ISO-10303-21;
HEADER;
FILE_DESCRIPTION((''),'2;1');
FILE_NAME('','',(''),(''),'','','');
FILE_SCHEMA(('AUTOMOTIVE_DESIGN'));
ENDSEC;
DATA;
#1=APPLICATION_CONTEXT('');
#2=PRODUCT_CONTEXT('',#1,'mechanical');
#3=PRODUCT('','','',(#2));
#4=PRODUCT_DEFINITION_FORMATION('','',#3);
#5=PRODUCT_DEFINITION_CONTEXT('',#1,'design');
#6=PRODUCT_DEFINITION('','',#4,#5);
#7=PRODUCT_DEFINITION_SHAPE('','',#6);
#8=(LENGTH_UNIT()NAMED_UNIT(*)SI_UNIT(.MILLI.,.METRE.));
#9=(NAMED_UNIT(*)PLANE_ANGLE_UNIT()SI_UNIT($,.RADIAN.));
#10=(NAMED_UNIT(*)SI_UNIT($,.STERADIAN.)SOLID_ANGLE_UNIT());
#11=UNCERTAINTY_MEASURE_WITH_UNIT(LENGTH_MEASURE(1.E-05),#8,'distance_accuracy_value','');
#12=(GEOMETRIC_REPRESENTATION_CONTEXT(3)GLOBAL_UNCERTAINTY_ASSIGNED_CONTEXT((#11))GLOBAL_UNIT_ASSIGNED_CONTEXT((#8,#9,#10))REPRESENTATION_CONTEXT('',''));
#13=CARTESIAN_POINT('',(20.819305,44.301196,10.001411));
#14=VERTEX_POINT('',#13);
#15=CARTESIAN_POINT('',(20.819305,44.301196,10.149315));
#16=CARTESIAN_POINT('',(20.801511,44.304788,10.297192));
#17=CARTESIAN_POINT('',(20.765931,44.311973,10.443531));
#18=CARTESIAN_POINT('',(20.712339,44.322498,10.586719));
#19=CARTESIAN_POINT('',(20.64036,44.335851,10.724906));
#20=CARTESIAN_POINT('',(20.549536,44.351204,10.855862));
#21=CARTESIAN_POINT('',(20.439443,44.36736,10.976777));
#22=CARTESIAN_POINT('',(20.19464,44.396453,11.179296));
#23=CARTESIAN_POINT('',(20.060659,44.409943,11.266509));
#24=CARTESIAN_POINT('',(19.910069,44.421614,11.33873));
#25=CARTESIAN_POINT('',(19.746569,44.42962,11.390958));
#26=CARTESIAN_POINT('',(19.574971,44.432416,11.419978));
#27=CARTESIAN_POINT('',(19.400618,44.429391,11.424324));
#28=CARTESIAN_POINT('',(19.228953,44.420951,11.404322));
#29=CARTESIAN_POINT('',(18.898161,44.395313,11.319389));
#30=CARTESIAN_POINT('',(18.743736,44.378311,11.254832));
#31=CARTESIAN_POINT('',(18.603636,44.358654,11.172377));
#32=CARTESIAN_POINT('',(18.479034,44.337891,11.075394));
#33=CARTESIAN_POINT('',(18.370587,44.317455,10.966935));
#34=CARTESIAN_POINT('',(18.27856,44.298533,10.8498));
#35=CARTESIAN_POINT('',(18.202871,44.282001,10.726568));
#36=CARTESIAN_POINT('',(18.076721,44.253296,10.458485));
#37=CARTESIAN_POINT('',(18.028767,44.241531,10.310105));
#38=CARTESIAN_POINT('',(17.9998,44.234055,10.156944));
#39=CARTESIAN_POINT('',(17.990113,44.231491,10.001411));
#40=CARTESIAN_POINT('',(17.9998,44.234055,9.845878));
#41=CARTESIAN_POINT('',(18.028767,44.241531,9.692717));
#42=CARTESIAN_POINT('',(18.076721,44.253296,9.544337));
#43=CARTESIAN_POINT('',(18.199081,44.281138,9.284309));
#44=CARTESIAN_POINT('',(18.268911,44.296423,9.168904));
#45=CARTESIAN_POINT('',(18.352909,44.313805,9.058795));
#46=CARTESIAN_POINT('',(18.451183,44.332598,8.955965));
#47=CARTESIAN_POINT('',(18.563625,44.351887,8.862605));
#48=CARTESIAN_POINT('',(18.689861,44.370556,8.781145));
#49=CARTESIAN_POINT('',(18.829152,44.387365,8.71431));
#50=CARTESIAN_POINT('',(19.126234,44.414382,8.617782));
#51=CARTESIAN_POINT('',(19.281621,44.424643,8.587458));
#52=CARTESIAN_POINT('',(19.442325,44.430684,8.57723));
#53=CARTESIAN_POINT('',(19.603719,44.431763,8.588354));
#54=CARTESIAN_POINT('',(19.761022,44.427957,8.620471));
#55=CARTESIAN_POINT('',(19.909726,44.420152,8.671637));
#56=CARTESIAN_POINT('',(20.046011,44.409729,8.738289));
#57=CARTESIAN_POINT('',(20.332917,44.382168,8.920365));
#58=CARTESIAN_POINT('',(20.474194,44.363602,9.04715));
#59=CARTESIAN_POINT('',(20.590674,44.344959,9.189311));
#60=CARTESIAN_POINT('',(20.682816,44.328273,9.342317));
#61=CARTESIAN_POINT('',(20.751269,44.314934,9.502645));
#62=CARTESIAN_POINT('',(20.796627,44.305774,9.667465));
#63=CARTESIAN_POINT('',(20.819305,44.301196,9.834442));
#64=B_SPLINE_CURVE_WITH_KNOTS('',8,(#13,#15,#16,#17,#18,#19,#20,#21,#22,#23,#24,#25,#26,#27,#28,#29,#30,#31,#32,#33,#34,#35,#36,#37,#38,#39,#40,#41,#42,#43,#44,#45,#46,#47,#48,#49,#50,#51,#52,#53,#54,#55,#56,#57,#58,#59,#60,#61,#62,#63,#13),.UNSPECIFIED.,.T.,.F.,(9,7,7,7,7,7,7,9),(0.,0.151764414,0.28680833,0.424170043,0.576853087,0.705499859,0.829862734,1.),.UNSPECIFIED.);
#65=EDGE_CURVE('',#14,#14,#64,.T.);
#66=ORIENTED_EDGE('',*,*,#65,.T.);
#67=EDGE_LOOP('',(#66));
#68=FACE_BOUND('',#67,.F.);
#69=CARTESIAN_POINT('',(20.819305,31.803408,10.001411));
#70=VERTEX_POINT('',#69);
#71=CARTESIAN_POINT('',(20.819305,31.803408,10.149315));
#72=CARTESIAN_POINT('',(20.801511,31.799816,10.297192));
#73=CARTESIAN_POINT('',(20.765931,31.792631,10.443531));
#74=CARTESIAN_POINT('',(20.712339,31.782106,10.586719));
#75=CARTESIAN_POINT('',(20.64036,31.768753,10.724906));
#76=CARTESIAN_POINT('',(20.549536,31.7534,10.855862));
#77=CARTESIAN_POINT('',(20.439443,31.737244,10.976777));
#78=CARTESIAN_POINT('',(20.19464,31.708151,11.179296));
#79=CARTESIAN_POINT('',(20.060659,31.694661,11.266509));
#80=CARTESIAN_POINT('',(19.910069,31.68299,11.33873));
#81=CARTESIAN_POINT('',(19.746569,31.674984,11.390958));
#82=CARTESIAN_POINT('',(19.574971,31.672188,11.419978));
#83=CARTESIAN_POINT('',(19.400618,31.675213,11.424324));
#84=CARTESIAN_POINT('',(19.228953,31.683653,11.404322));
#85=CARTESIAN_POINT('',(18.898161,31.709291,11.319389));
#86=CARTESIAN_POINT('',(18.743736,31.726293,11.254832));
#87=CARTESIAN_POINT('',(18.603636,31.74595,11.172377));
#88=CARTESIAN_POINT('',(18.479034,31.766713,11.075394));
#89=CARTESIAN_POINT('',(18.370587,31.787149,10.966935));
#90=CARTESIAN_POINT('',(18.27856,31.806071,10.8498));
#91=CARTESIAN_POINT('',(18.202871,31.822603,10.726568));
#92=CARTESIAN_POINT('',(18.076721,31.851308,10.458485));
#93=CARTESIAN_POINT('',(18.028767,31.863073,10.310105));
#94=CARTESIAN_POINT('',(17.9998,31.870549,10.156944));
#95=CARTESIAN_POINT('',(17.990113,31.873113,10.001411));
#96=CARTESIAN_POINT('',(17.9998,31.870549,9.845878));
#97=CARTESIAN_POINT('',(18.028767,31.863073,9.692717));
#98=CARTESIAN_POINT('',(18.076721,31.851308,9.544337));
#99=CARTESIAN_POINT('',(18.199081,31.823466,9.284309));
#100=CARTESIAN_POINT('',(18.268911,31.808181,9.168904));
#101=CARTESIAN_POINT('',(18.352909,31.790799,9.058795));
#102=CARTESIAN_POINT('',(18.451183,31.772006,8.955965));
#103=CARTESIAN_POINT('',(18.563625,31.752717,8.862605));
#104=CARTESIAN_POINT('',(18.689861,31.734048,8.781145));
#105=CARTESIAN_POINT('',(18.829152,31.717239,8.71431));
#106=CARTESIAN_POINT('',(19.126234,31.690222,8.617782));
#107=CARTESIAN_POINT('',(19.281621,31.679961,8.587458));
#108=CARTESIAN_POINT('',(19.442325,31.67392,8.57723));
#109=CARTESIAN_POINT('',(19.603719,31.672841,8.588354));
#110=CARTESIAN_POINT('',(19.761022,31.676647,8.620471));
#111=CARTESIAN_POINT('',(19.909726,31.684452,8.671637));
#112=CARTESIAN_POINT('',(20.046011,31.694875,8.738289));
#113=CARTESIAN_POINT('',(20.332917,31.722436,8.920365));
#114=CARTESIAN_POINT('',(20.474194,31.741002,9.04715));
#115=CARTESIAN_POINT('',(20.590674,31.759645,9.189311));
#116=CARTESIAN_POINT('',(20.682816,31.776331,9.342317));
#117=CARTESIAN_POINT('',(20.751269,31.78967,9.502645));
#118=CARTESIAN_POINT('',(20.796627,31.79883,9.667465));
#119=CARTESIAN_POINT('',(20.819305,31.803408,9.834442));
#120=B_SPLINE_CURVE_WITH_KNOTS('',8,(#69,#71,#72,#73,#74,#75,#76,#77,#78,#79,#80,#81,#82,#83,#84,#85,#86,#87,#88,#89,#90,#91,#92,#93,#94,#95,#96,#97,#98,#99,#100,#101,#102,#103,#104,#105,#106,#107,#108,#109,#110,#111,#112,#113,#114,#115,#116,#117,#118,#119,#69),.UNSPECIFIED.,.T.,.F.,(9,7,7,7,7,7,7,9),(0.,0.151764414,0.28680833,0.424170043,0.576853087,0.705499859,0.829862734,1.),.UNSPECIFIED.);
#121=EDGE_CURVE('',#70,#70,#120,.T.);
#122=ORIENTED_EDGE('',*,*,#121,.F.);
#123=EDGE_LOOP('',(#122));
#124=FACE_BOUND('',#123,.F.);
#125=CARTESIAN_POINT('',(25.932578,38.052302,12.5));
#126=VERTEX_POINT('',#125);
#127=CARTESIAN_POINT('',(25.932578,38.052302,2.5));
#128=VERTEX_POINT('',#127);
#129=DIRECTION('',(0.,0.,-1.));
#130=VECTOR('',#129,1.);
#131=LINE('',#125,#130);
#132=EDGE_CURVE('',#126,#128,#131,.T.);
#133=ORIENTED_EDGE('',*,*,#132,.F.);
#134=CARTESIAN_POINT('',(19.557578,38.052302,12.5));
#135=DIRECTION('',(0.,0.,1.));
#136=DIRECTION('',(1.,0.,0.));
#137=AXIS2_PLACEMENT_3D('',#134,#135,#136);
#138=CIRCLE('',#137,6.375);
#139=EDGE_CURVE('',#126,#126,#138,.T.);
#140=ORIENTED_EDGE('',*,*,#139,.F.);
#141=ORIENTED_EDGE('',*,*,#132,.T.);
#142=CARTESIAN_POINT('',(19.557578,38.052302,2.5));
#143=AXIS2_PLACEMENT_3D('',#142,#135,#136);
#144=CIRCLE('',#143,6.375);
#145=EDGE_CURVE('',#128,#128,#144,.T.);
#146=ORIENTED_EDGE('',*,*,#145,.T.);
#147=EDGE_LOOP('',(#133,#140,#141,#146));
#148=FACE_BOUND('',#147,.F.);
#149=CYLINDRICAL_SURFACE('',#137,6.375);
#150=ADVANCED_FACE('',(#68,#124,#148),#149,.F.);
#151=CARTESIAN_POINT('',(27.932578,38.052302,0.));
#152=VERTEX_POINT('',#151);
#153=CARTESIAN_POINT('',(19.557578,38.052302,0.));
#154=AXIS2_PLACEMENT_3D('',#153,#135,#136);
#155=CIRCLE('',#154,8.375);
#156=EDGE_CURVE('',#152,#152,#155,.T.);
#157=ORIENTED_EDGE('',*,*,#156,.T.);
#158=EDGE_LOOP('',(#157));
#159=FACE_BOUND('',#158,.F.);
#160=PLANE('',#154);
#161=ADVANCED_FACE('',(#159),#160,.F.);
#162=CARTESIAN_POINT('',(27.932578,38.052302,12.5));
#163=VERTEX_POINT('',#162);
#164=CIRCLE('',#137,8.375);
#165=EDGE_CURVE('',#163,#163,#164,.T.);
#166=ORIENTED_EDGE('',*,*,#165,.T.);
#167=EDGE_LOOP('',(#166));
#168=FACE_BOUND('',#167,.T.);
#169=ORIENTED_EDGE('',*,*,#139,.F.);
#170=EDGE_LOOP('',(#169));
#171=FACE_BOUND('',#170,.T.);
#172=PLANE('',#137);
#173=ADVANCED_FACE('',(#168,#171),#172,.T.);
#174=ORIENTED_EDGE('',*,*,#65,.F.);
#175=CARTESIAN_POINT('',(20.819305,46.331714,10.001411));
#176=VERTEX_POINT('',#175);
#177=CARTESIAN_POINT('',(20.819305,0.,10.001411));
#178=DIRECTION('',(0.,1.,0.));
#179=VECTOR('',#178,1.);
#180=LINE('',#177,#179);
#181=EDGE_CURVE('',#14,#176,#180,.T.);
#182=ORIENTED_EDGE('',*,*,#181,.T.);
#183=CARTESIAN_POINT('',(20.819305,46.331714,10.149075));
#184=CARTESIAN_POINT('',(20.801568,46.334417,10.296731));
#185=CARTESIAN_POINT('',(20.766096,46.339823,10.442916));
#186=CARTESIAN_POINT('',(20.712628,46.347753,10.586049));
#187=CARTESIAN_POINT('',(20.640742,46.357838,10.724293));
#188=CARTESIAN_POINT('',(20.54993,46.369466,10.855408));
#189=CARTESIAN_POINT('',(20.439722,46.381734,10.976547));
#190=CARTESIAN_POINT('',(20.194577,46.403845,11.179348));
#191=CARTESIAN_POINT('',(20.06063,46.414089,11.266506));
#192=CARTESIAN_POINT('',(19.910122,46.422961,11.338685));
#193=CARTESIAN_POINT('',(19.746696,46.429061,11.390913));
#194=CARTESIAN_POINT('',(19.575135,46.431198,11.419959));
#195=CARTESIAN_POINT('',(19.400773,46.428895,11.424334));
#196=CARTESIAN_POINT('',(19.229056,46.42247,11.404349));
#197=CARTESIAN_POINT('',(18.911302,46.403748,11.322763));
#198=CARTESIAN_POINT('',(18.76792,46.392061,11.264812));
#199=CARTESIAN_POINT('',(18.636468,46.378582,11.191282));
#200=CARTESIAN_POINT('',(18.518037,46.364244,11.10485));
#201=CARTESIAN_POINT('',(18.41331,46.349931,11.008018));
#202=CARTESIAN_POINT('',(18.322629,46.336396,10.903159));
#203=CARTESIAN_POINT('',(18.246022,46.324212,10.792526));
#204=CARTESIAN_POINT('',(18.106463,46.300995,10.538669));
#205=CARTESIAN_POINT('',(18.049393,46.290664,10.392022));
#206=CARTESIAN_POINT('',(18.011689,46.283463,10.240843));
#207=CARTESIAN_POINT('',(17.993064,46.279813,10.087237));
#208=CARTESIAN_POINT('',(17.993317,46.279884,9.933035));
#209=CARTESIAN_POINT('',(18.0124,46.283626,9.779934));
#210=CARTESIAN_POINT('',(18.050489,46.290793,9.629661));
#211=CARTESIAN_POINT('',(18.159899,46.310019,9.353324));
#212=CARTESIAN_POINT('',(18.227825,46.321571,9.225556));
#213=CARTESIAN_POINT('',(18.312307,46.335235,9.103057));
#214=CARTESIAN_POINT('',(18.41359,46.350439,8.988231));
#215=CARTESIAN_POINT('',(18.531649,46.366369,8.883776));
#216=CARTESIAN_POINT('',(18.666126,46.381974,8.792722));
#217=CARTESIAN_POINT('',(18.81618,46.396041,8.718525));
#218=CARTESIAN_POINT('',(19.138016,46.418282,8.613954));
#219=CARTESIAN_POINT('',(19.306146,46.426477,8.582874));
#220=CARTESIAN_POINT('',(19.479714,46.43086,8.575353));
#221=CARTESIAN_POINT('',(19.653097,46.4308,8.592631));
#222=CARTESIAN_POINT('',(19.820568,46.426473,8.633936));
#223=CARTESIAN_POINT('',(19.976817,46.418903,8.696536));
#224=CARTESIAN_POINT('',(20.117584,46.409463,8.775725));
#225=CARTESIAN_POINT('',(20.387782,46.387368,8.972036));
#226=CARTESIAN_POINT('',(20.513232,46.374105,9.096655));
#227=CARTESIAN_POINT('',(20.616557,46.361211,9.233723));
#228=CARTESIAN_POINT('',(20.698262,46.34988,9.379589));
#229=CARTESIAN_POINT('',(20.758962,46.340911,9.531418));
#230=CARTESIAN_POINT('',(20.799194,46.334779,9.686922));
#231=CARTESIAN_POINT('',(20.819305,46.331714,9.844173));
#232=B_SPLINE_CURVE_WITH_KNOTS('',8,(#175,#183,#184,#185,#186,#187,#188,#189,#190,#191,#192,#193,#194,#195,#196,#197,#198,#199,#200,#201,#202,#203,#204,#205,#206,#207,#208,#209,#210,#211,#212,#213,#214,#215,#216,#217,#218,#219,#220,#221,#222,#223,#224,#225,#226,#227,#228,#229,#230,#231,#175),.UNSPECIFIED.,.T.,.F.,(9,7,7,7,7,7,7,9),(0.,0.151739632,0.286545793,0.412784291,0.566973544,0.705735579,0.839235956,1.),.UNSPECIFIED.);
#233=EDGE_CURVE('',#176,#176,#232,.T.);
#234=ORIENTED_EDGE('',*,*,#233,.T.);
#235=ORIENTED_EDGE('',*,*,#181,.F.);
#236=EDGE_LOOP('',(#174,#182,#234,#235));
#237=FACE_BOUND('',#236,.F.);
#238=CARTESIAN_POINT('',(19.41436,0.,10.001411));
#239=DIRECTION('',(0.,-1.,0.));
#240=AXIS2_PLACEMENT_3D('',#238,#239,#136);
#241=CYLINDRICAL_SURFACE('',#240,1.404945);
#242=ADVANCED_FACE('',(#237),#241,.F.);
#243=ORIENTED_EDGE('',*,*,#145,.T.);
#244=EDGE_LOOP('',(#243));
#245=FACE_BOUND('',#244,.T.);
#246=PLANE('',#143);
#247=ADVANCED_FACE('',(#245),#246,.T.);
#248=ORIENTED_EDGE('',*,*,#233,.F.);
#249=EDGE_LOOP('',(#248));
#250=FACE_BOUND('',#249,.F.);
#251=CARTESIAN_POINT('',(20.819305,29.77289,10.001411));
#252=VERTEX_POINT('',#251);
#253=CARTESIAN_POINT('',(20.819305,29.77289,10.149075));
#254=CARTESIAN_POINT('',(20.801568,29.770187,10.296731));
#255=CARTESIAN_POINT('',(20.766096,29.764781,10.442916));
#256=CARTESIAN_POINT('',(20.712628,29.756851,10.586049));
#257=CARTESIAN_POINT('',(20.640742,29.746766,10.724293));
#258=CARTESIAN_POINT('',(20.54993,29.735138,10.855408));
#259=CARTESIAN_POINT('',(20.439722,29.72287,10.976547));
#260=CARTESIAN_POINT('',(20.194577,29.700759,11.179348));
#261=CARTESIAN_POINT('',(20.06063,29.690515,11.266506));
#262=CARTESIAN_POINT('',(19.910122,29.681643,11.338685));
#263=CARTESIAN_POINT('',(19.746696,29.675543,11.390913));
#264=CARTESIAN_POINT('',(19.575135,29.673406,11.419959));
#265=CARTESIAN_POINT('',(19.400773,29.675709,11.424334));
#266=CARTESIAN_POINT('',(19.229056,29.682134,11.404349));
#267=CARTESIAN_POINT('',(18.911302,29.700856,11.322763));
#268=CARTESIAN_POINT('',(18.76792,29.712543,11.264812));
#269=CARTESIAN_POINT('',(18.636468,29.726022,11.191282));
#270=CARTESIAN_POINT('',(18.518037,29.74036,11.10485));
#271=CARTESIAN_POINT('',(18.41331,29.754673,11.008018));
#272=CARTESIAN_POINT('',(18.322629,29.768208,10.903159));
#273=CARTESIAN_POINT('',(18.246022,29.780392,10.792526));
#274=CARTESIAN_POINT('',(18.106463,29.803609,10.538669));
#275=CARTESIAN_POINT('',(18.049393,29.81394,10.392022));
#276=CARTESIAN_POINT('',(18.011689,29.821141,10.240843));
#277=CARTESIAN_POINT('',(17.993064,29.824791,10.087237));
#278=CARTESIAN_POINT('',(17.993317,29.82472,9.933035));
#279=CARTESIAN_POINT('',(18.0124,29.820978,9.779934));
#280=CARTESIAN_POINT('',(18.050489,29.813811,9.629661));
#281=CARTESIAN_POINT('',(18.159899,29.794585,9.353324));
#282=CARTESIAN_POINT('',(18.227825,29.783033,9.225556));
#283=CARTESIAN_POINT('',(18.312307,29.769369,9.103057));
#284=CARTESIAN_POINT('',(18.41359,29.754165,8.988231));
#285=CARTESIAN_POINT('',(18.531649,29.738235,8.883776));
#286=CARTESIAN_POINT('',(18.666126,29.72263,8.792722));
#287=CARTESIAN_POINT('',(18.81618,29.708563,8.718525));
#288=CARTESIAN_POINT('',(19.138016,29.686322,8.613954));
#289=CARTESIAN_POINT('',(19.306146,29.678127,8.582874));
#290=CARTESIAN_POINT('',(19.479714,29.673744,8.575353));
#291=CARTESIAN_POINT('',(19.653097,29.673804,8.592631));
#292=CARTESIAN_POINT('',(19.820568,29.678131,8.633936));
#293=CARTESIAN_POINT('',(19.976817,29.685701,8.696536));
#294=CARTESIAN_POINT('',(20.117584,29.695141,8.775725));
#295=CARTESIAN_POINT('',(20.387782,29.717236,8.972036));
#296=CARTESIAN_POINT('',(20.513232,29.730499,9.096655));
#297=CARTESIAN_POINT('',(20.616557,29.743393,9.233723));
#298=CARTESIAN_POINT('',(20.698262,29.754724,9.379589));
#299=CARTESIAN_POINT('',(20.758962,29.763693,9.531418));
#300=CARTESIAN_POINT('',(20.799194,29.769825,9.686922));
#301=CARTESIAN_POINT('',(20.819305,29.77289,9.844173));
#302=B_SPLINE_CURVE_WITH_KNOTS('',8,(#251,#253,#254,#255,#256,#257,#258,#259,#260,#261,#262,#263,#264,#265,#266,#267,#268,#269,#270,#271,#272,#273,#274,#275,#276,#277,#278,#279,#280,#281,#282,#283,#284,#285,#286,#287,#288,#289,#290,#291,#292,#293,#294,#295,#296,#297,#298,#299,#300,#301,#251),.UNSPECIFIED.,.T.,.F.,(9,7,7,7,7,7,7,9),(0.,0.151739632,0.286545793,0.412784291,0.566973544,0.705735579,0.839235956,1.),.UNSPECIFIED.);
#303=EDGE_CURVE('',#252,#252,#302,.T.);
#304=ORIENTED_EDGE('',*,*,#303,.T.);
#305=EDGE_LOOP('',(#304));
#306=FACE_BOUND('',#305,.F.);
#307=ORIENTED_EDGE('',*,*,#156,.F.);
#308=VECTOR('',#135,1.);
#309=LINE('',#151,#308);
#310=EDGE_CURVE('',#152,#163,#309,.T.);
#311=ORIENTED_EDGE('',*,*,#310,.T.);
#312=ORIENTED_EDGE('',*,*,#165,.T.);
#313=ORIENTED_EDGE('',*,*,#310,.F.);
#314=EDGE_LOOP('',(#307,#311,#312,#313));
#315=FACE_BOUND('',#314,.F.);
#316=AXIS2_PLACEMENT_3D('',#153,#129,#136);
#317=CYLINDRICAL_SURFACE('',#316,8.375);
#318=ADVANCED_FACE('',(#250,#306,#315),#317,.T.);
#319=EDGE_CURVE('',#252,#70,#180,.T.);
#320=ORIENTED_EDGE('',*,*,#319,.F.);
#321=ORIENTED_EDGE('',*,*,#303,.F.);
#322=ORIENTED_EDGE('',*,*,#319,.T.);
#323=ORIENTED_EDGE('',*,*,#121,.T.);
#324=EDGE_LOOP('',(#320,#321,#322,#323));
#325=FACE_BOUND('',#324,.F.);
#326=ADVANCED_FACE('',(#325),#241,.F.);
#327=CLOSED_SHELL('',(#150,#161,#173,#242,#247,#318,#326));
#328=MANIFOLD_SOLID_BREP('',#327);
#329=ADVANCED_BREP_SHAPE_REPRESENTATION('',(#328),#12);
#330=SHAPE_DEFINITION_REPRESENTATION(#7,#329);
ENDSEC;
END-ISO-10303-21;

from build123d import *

# Parameters (mm, degrees)
F0_R     = 8.375
F1_DEPTH = 12.5
F2_R     = 6.375
F3_DEPTH = 10
F4_R     = 1.404945
F5_DEPTH = 75


with BuildPart() as f1:
    # F0 (on Top) → F1 (new body)
    with BuildSketch(Plane.XY):
        with Locations((19.557578, 38.052302)):
            Circle(F0_R)
    extrude(amount=F1_DEPTH)

    # F2 (on face) → F3 (cut)
    with BuildSketch(Plane.XY.offset(12.5)):
        with Locations((19.557578, 38.052302)):
            Circle(F2_R)
    extrude(amount=-F3_DEPTH, mode=Mode.SUBTRACT)

    # F4 (on Front) → F5 (cut)
    with BuildSketch(Plane.XZ):
        with Locations((19.41436, 10.001411)):
            Circle(F4_R)
    extrude(amount=-F5_DEPTH, mode=Mode.SUBTRACT)


solid = f1.part
